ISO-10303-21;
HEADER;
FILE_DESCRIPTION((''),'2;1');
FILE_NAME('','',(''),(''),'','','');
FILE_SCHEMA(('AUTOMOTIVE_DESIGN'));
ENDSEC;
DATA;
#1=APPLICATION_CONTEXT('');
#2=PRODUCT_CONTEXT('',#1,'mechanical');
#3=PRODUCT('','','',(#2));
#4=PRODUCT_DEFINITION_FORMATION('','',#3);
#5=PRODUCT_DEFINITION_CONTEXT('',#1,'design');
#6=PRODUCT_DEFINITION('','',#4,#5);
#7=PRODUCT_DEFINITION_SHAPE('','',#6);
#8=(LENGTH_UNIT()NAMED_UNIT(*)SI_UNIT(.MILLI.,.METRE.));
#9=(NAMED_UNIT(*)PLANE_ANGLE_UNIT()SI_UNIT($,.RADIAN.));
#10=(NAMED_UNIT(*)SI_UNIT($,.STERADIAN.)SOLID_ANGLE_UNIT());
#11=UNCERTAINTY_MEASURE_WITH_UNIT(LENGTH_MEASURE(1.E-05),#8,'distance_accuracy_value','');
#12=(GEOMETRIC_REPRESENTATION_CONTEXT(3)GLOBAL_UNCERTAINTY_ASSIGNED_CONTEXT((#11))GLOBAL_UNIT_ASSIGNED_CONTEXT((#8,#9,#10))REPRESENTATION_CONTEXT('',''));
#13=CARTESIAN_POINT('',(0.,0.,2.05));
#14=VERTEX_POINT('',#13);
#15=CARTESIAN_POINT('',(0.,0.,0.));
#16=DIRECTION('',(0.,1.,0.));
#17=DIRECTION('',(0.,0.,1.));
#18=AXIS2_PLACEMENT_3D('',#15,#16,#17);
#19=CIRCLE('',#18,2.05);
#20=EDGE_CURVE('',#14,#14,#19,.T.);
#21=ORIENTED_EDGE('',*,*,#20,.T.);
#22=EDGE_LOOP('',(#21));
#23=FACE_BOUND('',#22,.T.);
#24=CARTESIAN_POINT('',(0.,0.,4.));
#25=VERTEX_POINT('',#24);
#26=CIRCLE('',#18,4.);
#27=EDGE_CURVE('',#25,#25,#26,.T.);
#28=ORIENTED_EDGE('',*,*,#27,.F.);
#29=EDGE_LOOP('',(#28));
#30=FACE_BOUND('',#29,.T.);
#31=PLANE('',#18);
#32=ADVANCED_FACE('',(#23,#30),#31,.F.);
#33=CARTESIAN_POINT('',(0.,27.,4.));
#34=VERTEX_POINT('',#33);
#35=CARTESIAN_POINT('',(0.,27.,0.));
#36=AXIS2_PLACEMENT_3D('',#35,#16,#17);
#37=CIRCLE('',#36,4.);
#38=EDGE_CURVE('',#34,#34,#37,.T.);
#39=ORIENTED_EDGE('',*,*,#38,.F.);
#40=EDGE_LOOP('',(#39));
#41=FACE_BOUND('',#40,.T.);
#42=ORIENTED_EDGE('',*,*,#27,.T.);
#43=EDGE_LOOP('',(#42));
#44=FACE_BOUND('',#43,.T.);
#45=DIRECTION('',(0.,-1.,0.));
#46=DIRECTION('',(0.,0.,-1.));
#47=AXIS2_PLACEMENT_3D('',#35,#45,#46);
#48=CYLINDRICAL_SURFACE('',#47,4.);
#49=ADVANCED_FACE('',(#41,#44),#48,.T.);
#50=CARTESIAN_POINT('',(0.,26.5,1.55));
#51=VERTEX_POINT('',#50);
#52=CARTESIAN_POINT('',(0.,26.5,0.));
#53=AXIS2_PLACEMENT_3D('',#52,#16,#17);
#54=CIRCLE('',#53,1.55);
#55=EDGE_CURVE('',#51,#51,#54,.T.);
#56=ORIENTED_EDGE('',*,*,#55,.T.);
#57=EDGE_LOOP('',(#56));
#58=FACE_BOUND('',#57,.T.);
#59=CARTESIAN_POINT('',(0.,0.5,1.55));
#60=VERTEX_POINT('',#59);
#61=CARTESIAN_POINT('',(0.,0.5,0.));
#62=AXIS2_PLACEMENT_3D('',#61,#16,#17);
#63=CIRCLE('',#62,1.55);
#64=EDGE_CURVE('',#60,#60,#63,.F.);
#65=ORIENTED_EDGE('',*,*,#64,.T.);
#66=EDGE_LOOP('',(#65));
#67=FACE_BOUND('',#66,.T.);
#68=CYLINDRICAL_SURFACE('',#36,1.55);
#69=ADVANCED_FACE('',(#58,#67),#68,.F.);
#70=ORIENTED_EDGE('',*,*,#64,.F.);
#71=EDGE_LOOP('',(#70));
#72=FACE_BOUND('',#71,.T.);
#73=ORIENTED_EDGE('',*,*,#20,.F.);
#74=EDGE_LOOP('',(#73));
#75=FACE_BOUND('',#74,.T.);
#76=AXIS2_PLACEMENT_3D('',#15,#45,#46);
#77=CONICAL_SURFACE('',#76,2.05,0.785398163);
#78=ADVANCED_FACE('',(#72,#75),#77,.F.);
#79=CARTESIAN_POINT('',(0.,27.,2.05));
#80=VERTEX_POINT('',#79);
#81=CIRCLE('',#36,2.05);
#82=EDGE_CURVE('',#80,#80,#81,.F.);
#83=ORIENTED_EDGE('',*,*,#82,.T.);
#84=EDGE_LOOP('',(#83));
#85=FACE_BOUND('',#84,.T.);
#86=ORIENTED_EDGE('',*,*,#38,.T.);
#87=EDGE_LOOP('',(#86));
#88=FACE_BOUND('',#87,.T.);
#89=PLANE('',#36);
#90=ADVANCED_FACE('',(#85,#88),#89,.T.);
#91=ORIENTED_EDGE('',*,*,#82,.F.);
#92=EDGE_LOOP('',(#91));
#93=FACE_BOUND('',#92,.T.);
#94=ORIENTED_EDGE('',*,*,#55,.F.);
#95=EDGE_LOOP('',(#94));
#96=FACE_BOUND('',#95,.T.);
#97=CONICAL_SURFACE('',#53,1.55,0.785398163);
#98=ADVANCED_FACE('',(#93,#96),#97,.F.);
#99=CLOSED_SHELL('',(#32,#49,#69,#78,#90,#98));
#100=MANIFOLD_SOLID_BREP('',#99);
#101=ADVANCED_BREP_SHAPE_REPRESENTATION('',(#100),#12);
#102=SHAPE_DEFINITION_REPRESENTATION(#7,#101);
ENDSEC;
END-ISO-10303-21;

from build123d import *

# Parameters (mm, degrees)
SKIZZE1_R                        = 4
AUFSATZ_LINEAR_AUSTRAGEN1_DEPTH  = 27
F_3_1_3_1_DURCHMESSER_BOHRUNG1_D = 3.1
FASE1_SIZE                       = 0.5


with BuildPart() as part:
    # Skizze1 → Aufsatz-Linear austragen1 (new body)
    with BuildSketch(Plane(origin=(0, 0, 0), x_dir=(1, 0, 0), z_dir=(0, 1, 0))):
        with Locations(Location((0, 0, 0), (0, 0, 270))):
            Circle(SKIZZE1_R)
    extrude(amount=AUFSATZ_LINEAR_AUSTRAGEN1_DEPTH)

    # Ø3.1 (3.1) Durchmesser Bohrung1 (through all)
    with Locations(Plane(origin=(0, 27, 0), x_dir=(1, 0, 0), z_dir=(0, 1, 0))):
        with Locations((0, 0)):
            Hole(F_3_1_3_1_DURCHMESSER_BOHRUNG1_D / 2)

    # Fase1
    fase1_edges = [part.edges().sort_by_distance(p)[0] for p in [
        (1.55, 27, 0),
        (1.55, 0, 0),
    ]]
    chamfer(fase1_edges, length=FASE1_SIZE)


solid = part.part
